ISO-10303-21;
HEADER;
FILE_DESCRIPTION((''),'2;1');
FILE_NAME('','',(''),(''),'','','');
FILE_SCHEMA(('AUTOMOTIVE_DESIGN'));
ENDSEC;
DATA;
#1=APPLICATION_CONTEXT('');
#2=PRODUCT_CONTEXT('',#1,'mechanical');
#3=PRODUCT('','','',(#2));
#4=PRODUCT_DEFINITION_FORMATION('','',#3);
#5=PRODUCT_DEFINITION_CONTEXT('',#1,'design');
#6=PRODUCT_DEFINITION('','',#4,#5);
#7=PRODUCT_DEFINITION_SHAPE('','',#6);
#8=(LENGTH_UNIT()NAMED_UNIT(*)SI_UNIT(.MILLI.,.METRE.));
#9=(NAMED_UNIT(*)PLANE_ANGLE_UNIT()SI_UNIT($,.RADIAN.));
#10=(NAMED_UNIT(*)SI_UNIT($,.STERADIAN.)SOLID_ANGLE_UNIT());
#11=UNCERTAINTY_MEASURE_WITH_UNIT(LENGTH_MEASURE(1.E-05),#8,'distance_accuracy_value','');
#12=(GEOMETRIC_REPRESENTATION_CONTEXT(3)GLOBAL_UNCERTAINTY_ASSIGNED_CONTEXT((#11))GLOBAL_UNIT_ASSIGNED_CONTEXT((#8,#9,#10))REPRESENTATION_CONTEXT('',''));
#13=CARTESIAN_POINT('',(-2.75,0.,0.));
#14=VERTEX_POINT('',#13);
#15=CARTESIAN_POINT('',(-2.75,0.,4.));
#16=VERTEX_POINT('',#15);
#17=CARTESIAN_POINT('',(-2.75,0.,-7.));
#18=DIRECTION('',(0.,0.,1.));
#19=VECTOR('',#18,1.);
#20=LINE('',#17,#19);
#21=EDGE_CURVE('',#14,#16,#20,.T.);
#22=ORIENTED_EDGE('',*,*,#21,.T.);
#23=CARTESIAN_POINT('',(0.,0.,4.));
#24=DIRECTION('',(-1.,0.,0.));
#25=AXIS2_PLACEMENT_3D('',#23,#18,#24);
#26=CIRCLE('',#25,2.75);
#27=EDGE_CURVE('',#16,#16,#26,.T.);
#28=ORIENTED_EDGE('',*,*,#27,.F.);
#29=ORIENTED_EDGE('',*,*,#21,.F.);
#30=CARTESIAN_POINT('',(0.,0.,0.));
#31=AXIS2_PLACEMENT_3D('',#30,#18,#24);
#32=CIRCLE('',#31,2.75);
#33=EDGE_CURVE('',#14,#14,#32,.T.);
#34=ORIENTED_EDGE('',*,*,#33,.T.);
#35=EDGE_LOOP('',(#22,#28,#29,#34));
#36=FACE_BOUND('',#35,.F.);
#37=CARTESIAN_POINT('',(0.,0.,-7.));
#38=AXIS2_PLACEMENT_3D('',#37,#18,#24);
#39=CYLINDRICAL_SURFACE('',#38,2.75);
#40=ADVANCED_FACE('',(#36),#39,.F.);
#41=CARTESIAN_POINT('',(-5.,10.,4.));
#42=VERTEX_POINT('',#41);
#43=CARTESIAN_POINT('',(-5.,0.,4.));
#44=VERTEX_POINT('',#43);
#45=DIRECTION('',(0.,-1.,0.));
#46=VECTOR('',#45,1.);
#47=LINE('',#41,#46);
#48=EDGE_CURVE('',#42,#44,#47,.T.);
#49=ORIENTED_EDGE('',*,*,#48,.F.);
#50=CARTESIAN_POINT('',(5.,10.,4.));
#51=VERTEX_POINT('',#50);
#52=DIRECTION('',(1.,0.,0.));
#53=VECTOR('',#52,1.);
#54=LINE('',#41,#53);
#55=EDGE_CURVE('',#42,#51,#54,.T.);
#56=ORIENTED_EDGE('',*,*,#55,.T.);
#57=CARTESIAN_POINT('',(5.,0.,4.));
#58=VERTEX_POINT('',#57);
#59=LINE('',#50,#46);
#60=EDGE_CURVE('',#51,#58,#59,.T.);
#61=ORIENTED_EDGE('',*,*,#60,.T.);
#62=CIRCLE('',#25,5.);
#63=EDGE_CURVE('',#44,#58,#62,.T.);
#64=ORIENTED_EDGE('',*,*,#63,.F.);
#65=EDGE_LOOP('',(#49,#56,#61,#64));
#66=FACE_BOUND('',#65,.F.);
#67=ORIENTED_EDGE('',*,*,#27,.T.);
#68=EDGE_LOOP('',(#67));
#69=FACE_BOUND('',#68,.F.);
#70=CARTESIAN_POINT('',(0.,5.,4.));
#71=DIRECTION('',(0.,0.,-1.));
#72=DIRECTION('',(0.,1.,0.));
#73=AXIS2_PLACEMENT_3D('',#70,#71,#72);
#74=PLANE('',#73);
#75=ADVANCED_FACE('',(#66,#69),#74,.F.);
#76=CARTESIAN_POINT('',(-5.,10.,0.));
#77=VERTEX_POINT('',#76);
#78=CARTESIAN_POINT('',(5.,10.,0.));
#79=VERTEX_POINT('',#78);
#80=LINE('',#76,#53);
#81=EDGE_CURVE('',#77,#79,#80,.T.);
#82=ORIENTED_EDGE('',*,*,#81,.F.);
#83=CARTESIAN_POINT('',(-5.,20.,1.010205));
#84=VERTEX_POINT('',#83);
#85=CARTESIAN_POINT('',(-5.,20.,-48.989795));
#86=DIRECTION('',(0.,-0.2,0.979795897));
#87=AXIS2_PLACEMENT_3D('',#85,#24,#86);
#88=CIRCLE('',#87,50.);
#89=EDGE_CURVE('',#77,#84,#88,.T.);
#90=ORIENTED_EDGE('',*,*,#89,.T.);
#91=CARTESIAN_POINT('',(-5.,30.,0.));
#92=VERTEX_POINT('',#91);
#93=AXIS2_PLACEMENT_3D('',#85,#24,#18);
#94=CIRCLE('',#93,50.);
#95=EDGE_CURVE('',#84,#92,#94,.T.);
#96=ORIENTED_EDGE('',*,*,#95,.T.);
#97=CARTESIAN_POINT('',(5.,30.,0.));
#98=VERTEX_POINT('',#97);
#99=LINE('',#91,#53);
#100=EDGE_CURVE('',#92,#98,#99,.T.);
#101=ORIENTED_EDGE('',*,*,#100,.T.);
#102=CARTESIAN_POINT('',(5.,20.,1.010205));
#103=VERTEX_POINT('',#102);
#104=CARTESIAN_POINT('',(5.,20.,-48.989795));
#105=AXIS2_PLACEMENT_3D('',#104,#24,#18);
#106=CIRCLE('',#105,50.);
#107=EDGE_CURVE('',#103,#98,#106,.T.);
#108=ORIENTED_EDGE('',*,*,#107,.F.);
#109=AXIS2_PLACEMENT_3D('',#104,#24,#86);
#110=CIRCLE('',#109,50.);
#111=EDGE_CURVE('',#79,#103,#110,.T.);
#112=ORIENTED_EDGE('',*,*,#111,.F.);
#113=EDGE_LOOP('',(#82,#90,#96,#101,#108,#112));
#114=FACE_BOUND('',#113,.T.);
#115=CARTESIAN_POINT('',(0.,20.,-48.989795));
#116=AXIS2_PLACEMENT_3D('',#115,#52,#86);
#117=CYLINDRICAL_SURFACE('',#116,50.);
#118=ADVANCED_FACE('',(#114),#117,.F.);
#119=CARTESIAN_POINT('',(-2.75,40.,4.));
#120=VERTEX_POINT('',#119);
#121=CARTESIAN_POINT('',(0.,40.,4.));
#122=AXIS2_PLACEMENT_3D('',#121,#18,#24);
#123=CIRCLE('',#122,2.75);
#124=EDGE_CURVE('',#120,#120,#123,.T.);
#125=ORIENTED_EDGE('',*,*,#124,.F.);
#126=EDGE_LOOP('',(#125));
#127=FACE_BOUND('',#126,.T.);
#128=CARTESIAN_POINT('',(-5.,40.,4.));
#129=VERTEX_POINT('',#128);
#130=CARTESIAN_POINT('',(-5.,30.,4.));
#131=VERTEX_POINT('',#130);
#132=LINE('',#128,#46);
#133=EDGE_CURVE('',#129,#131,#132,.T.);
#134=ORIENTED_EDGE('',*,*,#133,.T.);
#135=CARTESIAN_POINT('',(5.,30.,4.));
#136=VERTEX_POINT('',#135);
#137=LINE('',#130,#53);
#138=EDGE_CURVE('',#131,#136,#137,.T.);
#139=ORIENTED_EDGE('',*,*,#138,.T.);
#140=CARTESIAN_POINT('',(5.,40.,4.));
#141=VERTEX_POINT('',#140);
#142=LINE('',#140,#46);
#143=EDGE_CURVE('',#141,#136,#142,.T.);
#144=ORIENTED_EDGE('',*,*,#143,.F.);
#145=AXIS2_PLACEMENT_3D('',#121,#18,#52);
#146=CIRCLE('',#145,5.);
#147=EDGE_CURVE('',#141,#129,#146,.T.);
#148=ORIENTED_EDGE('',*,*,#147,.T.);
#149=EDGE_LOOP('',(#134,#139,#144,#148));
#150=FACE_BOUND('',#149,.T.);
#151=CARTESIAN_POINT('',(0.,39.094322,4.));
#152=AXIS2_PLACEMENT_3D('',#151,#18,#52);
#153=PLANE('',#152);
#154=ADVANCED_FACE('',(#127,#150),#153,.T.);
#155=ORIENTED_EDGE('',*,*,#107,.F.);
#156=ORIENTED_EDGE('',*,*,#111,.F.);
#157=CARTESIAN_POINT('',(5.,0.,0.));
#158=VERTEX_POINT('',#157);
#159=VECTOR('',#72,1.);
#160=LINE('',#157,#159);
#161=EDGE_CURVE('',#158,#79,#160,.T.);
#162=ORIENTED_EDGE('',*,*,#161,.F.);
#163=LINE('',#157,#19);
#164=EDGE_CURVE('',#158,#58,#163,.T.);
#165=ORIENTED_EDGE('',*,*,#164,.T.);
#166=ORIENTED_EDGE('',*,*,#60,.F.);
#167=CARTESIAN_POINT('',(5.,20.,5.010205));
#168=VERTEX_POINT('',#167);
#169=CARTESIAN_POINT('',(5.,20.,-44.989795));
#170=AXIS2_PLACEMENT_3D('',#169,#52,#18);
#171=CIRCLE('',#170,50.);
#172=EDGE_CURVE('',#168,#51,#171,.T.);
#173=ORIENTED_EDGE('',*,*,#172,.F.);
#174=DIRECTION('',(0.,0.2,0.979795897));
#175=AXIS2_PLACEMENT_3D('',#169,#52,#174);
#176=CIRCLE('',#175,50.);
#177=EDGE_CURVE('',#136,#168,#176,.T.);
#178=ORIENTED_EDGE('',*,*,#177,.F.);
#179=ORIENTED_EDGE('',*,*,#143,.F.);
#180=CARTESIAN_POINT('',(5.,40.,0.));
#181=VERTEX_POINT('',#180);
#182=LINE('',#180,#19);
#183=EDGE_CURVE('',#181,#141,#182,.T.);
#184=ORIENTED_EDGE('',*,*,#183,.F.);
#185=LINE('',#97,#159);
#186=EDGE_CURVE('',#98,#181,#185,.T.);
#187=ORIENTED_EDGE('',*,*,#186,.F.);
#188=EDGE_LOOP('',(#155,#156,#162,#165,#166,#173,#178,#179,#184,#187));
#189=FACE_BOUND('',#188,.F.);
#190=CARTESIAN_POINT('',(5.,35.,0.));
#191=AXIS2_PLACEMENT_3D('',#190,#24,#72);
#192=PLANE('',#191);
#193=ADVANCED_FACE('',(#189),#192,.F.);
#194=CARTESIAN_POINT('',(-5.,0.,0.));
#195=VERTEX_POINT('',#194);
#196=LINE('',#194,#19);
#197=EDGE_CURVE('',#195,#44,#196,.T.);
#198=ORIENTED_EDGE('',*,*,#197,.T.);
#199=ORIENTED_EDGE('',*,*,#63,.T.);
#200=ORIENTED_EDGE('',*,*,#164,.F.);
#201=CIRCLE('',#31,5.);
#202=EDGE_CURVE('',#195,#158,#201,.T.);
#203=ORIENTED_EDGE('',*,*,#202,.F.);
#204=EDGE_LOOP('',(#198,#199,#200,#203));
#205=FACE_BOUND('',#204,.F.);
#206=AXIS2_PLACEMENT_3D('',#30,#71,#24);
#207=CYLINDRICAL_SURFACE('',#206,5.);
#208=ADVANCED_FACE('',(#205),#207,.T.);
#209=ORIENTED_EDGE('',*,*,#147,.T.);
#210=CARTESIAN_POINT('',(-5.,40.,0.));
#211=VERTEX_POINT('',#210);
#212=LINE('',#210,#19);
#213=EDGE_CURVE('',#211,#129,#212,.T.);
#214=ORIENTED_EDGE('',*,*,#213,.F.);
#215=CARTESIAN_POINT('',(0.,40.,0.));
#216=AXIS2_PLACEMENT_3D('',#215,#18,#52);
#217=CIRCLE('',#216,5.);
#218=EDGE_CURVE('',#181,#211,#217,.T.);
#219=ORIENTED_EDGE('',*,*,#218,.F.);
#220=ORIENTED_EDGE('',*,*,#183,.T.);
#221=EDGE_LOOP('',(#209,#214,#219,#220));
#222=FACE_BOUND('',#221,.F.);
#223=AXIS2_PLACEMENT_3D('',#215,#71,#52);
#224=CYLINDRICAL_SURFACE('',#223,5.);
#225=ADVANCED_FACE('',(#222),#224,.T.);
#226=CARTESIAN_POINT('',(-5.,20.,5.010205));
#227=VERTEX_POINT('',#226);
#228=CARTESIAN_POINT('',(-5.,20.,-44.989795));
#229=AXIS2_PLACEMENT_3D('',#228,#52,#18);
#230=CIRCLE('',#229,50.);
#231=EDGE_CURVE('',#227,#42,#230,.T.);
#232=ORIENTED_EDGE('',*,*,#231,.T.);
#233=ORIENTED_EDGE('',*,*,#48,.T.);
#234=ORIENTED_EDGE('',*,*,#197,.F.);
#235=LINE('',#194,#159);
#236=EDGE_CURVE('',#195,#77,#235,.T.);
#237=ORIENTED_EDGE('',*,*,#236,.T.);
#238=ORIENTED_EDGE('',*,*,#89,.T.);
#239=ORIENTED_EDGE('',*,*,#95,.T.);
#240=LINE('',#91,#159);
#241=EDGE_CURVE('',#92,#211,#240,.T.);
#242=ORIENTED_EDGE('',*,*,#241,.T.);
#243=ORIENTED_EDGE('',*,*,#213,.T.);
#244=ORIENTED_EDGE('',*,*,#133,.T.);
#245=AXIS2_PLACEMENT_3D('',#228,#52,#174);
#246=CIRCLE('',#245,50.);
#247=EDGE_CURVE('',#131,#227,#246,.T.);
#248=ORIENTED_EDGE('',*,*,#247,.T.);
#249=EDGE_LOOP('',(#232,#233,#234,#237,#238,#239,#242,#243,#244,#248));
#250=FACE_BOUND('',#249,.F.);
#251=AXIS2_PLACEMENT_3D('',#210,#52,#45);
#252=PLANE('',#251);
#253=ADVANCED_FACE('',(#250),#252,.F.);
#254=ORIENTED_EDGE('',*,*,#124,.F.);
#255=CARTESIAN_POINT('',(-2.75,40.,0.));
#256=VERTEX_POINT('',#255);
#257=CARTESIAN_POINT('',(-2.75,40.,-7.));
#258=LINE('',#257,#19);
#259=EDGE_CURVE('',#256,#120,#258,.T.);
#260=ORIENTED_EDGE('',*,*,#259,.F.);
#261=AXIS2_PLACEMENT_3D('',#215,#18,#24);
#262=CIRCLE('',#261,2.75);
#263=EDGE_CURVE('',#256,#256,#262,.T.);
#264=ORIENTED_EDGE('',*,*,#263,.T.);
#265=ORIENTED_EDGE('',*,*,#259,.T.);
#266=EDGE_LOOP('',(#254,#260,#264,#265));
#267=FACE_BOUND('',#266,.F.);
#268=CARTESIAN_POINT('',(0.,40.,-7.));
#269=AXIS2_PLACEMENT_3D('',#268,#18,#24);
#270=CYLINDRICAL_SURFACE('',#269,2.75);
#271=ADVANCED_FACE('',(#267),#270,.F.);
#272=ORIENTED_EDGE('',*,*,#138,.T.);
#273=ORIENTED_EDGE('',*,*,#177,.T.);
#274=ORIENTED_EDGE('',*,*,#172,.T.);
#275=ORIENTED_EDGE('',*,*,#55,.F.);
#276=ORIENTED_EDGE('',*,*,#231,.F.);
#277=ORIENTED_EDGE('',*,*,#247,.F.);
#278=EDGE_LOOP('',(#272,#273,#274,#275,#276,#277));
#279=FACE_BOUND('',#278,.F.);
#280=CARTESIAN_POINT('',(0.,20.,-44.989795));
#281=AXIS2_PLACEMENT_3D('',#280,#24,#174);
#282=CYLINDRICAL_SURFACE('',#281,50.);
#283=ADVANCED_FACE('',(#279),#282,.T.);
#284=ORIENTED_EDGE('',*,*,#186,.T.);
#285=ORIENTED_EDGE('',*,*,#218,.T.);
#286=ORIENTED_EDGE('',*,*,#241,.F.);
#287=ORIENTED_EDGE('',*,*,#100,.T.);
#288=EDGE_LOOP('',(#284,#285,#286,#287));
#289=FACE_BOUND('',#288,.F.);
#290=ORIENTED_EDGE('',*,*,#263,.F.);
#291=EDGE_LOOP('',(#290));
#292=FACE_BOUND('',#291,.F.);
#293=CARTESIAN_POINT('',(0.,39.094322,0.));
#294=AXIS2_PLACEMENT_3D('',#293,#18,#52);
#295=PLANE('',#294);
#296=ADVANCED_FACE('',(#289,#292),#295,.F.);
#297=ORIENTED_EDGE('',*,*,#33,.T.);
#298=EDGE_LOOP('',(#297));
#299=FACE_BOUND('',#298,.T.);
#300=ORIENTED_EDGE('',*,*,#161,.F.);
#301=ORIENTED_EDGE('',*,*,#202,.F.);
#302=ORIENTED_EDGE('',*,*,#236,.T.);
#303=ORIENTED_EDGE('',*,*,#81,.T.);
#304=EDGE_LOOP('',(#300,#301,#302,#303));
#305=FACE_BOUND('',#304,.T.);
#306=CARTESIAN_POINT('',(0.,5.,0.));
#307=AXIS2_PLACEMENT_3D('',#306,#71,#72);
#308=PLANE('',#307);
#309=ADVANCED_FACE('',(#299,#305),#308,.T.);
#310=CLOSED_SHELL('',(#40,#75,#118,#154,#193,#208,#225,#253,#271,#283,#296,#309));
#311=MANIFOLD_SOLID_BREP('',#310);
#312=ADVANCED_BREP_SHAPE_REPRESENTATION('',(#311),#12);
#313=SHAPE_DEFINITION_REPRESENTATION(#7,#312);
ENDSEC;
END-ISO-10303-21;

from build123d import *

# Parameters (mm, degrees)
F1_DEPTH = 4
F2_D     = 5.5
F2_DEPTH = 7
F2_TIP   = 1.6523667023
F3_W     = 5
F3_H     = 4
F4_DEPTH = 5
F6_DEPTH = 4
F7_D     = 5.5
F7_DEPTH = 7
F7_TIP   = 1.6523667023


with BuildPart() as f1:
    # F0 (on Top) → F1 (new body)
    with BuildSketch(Plane.XY):
        with BuildLine():
            Line((-5, 5), (-5, 0))
            ThreePointArc((-5, 0), (0, -5), (5, 0))
            Line((5, 0), (5, 5))
            Line((5, 5), (-5, 5))
        make_face()
    extrude(amount=F1_DEPTH)

    # F2
    with Locations(Plane(origin=(0, 0, 0), x_dir=(1, 0, 0), z_dir=(0, 0, -1))):
        with Locations((0, 0)):
            Hole(F2_D / 2, depth=F2_DEPTH)
            with Locations((0, 0, -(F2_DEPTH + F2_TIP / 2))):  # 118° drill point
                Cone(0, F2_D / 2, F2_TIP, mode=Mode.SUBTRACT)

    # F3 (on Right) → F4 (join, symmetric)
    with BuildSketch(Plane.YZ):
        with Locations((7.5, 2)):
            Rectangle(F3_W, F3_H)
        with BuildLine():
            Line((10, 4), (10, 0))
            ThreePointArc((10, 0), (14.9745518997, 0.7570127946), (20, 1.0102051443))
            Line((20, 1.0102051443), (20, 5.0102051443))
            ThreePointArc((20, 5.0102051443), (14.9745518997, 4.7570127946), (10, 4))
        make_face()
        with BuildLine():
            Line((20, 5.0102051443), (20, 1.0102051443))
            ThreePointArc((20, 1.0102051443), (25.0254481003, 0.7570127946), (30, 0))
            Line((30, 0), (30, 4))
            ThreePointArc((30, 4), (25.0254481003, 4.7570127946), (20, 5.0102051443))
        make_face()
        with Locations((32.5, 2)):
            Rectangle(F3_W, F3_H)
    extrude(amount=F4_DEPTH, both=True)

    # F5 (on Top) → F6 (join)
    with BuildSketch(Plane.XY):
        with BuildLine():
            Line((5, 35), (5, 40))
            ThreePointArc((5, 40), (0, 45), (-5, 40))
            Line((-5, 40), (-5, 35))
            Line((-5, 35), (5, 35))
        make_face()
    extrude(amount=F6_DEPTH)

    # F7
    with Locations(Plane(origin=(0, 0, 0), x_dir=(1, 0, 0), z_dir=(0, 0, -1))):
        with Locations((0, -40)):
            Hole(F7_D / 2, depth=F7_DEPTH)
            with Locations((0, 0, -(F7_DEPTH + F7_TIP / 2))):  # 118° drill point
                Cone(0, F7_D / 2, F7_TIP, mode=Mode.SUBTRACT)


solid = f1.part
